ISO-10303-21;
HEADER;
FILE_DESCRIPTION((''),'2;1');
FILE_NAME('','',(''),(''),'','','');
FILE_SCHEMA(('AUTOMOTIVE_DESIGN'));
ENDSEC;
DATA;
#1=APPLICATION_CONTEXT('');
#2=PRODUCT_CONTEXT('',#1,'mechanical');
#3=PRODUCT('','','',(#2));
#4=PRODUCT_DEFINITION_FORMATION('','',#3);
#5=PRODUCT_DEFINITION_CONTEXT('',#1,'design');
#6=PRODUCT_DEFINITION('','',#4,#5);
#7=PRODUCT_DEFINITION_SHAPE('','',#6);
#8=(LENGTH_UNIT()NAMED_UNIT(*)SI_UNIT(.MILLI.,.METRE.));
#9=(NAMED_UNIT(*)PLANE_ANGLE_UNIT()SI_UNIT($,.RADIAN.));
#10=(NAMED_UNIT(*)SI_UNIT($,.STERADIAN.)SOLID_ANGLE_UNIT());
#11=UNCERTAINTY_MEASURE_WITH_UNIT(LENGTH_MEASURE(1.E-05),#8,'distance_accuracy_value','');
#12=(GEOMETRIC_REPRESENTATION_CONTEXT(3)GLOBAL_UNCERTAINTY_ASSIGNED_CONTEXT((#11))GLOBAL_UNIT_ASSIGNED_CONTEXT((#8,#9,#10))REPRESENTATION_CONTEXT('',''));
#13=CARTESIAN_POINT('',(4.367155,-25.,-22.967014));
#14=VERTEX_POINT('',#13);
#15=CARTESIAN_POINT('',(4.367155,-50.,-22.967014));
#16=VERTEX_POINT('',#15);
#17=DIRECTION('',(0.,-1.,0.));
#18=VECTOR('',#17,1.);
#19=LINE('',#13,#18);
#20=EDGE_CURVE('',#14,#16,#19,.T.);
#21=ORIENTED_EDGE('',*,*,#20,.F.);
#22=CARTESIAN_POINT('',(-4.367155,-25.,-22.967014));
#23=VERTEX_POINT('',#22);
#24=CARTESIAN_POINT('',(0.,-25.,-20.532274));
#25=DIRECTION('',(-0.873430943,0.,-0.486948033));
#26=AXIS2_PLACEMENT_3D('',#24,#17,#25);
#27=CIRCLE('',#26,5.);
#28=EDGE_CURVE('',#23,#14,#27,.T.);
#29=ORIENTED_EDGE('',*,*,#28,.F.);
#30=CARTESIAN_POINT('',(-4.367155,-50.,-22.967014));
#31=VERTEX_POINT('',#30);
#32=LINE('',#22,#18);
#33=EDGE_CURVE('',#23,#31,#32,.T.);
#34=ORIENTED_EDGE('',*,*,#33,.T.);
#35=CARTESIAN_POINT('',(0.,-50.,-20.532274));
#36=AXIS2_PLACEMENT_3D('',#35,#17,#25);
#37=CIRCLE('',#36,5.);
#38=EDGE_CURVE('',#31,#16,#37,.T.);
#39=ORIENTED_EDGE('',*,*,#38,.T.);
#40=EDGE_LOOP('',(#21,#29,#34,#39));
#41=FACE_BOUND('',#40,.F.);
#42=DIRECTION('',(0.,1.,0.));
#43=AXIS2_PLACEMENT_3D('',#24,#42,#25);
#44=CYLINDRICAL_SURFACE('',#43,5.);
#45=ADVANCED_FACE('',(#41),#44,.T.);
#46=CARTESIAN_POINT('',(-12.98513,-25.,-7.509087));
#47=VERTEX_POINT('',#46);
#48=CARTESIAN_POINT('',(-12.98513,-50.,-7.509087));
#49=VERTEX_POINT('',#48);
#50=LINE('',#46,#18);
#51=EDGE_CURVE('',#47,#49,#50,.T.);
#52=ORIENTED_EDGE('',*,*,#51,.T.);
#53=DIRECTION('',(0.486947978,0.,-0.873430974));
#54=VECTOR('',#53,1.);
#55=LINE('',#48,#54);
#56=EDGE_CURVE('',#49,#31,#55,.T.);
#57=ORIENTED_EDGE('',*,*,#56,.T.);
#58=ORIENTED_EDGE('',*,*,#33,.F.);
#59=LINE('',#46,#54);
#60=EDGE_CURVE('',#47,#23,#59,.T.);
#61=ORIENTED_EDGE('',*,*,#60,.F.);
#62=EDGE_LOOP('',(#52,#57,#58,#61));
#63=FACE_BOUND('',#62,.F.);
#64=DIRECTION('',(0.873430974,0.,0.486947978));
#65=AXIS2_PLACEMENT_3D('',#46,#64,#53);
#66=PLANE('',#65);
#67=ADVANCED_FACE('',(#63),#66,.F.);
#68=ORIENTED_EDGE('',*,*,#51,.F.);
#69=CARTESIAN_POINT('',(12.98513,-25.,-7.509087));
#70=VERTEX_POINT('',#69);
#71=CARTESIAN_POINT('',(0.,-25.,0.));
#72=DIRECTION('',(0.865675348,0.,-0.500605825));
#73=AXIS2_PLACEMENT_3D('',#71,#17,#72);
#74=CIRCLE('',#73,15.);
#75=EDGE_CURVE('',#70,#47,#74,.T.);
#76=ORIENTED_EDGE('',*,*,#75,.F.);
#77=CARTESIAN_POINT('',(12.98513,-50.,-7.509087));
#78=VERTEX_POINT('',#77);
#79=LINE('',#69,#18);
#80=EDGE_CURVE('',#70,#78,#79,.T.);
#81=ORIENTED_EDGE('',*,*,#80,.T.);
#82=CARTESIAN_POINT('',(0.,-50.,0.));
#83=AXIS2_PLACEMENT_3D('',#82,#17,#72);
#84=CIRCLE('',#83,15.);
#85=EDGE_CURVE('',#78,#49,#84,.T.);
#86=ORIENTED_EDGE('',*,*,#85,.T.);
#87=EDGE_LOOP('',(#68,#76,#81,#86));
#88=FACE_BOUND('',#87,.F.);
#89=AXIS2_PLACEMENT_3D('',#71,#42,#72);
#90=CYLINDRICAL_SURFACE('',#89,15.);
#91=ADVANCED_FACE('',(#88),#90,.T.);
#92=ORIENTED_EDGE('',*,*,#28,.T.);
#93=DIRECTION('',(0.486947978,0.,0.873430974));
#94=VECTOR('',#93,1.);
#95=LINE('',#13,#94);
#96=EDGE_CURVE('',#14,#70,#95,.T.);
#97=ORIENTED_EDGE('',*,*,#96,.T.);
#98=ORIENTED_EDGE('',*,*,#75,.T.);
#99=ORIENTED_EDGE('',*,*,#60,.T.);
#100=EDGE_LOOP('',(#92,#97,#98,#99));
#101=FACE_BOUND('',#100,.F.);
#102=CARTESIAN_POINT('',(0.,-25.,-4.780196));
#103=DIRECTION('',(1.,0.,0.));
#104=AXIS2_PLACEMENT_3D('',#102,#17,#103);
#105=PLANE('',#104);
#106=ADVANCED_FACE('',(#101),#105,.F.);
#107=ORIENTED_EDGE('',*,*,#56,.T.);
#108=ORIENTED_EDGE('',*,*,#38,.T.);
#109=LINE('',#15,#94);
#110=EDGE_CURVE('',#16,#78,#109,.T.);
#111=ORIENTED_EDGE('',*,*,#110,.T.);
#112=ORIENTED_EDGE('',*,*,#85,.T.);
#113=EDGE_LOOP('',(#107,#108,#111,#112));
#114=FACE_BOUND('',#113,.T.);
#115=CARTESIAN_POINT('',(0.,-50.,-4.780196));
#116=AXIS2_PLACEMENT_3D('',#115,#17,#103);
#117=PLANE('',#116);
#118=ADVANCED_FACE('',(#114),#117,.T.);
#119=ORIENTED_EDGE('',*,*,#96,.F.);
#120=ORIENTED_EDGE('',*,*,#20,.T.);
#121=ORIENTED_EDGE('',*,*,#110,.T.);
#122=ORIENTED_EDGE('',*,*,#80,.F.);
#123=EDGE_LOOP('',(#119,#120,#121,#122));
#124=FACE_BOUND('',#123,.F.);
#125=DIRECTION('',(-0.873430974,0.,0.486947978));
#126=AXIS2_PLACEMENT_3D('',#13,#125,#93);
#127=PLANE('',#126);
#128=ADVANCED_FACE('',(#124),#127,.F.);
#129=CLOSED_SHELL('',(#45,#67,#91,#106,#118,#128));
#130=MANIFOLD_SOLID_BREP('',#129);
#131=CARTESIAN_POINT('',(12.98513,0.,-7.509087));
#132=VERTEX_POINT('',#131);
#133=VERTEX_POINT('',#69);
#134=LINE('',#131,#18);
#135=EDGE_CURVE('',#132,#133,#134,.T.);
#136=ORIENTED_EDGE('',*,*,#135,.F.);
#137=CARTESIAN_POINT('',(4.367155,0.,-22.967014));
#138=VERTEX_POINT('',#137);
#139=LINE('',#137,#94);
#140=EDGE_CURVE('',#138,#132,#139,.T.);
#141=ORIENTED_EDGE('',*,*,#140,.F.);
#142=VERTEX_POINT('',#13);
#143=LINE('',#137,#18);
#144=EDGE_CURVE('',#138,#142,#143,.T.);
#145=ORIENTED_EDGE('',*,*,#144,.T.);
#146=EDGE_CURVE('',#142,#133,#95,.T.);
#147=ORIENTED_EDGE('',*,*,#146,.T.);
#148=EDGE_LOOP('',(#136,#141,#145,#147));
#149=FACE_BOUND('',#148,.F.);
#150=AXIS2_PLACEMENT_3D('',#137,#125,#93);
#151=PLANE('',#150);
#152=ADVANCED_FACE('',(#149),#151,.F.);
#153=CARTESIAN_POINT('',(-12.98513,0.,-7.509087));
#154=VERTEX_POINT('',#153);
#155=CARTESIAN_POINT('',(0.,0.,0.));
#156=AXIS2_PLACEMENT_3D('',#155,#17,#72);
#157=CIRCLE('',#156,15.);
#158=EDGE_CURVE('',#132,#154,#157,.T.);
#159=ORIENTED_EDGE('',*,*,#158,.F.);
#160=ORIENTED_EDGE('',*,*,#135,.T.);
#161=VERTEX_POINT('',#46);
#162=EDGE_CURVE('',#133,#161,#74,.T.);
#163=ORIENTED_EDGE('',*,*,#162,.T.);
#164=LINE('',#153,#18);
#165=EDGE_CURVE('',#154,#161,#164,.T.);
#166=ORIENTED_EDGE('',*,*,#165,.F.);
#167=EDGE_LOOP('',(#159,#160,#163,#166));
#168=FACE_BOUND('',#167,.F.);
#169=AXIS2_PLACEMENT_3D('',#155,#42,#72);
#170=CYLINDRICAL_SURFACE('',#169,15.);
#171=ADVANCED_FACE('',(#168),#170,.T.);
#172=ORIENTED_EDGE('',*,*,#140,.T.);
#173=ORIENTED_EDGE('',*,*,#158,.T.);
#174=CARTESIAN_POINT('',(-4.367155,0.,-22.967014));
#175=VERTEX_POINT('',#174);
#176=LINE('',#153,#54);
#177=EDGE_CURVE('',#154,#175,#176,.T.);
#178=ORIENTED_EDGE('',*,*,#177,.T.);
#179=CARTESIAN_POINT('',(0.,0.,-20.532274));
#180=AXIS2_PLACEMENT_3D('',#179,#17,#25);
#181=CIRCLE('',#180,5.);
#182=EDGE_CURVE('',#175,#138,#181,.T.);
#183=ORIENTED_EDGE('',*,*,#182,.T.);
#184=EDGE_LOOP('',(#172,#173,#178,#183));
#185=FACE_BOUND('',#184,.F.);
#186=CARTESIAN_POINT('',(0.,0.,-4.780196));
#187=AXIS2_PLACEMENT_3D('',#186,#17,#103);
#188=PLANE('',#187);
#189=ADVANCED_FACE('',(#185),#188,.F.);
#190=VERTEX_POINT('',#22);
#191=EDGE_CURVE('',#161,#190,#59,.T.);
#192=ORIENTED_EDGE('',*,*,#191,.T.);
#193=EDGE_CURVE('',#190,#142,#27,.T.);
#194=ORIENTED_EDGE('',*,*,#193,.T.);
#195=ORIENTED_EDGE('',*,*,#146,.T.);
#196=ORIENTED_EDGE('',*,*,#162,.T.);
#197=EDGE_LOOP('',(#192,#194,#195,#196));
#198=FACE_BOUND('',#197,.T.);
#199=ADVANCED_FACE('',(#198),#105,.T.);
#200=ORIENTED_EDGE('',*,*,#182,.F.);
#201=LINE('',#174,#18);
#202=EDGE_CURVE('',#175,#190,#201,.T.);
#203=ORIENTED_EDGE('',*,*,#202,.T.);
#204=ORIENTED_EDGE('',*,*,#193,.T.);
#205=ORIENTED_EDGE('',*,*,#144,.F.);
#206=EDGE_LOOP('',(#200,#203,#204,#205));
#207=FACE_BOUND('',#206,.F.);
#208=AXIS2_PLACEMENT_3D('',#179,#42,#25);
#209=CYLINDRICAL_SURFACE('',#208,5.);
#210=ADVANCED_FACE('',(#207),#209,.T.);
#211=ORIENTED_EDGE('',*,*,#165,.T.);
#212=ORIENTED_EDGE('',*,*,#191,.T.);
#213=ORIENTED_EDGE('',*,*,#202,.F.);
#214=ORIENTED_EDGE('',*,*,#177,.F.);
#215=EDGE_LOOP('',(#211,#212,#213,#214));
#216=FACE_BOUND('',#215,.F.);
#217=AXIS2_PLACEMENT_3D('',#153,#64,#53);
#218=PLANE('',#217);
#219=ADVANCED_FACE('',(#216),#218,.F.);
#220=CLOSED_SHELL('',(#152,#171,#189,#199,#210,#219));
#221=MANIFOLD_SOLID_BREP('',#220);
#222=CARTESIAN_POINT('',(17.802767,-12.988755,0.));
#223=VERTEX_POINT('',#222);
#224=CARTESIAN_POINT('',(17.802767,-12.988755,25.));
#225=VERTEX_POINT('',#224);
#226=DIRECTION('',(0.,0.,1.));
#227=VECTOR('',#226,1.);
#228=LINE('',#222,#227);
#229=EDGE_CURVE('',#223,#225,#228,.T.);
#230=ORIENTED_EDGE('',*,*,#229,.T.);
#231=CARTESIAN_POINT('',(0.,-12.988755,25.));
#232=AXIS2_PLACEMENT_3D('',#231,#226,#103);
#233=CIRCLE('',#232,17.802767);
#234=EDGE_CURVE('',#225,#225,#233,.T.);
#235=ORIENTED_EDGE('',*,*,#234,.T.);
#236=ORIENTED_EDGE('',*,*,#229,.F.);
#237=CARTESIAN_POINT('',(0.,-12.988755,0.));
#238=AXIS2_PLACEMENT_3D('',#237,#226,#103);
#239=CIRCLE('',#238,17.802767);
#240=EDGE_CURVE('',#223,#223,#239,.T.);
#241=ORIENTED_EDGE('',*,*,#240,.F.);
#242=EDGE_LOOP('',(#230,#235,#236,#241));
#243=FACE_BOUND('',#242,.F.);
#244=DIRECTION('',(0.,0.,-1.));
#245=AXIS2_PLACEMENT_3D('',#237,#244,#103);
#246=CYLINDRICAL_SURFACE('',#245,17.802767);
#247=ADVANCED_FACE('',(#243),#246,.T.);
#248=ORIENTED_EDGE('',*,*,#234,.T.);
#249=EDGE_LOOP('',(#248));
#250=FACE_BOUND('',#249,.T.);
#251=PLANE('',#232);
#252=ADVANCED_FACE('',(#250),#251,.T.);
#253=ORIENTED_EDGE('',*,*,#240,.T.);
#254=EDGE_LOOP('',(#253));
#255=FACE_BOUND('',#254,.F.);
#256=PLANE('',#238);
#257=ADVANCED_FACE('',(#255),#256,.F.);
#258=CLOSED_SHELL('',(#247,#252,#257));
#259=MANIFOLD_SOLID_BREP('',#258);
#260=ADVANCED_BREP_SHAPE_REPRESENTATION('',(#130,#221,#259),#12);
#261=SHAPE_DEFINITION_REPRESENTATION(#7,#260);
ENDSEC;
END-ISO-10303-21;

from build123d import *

# Parameters (mm, degrees)
F1_DEPTH = 25
F2_R     = 17.802767
F3_DEPTH = 25
F5_DEPTH = 25


with BuildPart() as f1:
    # F0 (on Front) → F1 (new body)
    with BuildSketch(Plane.XZ):
        with BuildLine():
            Line((4.367155, -22.967014), (12.98513, -7.509087))
            ThreePointArc((12.98513, -7.509087), (0, 15), (-12.98513, -7.509087))
            Line((-12.98513, -7.509087), (-4.367155, -22.967014))
            ThreePointArc((-4.367155, -22.967014), (0, -25.532274), (4.367155, -22.967014))
        make_face()
    extrude(amount=F1_DEPTH)


with BuildPart() as f3:
    # F2 (on Top) → F3 (new body)
    with BuildSketch(Plane.XY):
        with Locations((0, -12.988755)):
            Circle(F2_R)
    extrude(amount=F3_DEPTH)


with BuildPart() as f5:
    # F4 (on face) → F5 (new body)
    with BuildSketch(Plane.XZ.offset(25)):
        with BuildLine():
            Line((4.367155, -22.967014), (12.98513, -7.509087))
            ThreePointArc((12.98513, -7.509087), (0, 15), (-12.98513, -7.509087))
            Line((-12.98513, -7.509087), (-4.367155, -22.967014))
            ThreePointArc((-4.367155, -22.967014), (0, -25.532274), (4.367155, -22.967014))
        make_face()
    extrude(amount=F5_DEPTH)


solid = Compound([f1.part, f3.part, f5.part])
